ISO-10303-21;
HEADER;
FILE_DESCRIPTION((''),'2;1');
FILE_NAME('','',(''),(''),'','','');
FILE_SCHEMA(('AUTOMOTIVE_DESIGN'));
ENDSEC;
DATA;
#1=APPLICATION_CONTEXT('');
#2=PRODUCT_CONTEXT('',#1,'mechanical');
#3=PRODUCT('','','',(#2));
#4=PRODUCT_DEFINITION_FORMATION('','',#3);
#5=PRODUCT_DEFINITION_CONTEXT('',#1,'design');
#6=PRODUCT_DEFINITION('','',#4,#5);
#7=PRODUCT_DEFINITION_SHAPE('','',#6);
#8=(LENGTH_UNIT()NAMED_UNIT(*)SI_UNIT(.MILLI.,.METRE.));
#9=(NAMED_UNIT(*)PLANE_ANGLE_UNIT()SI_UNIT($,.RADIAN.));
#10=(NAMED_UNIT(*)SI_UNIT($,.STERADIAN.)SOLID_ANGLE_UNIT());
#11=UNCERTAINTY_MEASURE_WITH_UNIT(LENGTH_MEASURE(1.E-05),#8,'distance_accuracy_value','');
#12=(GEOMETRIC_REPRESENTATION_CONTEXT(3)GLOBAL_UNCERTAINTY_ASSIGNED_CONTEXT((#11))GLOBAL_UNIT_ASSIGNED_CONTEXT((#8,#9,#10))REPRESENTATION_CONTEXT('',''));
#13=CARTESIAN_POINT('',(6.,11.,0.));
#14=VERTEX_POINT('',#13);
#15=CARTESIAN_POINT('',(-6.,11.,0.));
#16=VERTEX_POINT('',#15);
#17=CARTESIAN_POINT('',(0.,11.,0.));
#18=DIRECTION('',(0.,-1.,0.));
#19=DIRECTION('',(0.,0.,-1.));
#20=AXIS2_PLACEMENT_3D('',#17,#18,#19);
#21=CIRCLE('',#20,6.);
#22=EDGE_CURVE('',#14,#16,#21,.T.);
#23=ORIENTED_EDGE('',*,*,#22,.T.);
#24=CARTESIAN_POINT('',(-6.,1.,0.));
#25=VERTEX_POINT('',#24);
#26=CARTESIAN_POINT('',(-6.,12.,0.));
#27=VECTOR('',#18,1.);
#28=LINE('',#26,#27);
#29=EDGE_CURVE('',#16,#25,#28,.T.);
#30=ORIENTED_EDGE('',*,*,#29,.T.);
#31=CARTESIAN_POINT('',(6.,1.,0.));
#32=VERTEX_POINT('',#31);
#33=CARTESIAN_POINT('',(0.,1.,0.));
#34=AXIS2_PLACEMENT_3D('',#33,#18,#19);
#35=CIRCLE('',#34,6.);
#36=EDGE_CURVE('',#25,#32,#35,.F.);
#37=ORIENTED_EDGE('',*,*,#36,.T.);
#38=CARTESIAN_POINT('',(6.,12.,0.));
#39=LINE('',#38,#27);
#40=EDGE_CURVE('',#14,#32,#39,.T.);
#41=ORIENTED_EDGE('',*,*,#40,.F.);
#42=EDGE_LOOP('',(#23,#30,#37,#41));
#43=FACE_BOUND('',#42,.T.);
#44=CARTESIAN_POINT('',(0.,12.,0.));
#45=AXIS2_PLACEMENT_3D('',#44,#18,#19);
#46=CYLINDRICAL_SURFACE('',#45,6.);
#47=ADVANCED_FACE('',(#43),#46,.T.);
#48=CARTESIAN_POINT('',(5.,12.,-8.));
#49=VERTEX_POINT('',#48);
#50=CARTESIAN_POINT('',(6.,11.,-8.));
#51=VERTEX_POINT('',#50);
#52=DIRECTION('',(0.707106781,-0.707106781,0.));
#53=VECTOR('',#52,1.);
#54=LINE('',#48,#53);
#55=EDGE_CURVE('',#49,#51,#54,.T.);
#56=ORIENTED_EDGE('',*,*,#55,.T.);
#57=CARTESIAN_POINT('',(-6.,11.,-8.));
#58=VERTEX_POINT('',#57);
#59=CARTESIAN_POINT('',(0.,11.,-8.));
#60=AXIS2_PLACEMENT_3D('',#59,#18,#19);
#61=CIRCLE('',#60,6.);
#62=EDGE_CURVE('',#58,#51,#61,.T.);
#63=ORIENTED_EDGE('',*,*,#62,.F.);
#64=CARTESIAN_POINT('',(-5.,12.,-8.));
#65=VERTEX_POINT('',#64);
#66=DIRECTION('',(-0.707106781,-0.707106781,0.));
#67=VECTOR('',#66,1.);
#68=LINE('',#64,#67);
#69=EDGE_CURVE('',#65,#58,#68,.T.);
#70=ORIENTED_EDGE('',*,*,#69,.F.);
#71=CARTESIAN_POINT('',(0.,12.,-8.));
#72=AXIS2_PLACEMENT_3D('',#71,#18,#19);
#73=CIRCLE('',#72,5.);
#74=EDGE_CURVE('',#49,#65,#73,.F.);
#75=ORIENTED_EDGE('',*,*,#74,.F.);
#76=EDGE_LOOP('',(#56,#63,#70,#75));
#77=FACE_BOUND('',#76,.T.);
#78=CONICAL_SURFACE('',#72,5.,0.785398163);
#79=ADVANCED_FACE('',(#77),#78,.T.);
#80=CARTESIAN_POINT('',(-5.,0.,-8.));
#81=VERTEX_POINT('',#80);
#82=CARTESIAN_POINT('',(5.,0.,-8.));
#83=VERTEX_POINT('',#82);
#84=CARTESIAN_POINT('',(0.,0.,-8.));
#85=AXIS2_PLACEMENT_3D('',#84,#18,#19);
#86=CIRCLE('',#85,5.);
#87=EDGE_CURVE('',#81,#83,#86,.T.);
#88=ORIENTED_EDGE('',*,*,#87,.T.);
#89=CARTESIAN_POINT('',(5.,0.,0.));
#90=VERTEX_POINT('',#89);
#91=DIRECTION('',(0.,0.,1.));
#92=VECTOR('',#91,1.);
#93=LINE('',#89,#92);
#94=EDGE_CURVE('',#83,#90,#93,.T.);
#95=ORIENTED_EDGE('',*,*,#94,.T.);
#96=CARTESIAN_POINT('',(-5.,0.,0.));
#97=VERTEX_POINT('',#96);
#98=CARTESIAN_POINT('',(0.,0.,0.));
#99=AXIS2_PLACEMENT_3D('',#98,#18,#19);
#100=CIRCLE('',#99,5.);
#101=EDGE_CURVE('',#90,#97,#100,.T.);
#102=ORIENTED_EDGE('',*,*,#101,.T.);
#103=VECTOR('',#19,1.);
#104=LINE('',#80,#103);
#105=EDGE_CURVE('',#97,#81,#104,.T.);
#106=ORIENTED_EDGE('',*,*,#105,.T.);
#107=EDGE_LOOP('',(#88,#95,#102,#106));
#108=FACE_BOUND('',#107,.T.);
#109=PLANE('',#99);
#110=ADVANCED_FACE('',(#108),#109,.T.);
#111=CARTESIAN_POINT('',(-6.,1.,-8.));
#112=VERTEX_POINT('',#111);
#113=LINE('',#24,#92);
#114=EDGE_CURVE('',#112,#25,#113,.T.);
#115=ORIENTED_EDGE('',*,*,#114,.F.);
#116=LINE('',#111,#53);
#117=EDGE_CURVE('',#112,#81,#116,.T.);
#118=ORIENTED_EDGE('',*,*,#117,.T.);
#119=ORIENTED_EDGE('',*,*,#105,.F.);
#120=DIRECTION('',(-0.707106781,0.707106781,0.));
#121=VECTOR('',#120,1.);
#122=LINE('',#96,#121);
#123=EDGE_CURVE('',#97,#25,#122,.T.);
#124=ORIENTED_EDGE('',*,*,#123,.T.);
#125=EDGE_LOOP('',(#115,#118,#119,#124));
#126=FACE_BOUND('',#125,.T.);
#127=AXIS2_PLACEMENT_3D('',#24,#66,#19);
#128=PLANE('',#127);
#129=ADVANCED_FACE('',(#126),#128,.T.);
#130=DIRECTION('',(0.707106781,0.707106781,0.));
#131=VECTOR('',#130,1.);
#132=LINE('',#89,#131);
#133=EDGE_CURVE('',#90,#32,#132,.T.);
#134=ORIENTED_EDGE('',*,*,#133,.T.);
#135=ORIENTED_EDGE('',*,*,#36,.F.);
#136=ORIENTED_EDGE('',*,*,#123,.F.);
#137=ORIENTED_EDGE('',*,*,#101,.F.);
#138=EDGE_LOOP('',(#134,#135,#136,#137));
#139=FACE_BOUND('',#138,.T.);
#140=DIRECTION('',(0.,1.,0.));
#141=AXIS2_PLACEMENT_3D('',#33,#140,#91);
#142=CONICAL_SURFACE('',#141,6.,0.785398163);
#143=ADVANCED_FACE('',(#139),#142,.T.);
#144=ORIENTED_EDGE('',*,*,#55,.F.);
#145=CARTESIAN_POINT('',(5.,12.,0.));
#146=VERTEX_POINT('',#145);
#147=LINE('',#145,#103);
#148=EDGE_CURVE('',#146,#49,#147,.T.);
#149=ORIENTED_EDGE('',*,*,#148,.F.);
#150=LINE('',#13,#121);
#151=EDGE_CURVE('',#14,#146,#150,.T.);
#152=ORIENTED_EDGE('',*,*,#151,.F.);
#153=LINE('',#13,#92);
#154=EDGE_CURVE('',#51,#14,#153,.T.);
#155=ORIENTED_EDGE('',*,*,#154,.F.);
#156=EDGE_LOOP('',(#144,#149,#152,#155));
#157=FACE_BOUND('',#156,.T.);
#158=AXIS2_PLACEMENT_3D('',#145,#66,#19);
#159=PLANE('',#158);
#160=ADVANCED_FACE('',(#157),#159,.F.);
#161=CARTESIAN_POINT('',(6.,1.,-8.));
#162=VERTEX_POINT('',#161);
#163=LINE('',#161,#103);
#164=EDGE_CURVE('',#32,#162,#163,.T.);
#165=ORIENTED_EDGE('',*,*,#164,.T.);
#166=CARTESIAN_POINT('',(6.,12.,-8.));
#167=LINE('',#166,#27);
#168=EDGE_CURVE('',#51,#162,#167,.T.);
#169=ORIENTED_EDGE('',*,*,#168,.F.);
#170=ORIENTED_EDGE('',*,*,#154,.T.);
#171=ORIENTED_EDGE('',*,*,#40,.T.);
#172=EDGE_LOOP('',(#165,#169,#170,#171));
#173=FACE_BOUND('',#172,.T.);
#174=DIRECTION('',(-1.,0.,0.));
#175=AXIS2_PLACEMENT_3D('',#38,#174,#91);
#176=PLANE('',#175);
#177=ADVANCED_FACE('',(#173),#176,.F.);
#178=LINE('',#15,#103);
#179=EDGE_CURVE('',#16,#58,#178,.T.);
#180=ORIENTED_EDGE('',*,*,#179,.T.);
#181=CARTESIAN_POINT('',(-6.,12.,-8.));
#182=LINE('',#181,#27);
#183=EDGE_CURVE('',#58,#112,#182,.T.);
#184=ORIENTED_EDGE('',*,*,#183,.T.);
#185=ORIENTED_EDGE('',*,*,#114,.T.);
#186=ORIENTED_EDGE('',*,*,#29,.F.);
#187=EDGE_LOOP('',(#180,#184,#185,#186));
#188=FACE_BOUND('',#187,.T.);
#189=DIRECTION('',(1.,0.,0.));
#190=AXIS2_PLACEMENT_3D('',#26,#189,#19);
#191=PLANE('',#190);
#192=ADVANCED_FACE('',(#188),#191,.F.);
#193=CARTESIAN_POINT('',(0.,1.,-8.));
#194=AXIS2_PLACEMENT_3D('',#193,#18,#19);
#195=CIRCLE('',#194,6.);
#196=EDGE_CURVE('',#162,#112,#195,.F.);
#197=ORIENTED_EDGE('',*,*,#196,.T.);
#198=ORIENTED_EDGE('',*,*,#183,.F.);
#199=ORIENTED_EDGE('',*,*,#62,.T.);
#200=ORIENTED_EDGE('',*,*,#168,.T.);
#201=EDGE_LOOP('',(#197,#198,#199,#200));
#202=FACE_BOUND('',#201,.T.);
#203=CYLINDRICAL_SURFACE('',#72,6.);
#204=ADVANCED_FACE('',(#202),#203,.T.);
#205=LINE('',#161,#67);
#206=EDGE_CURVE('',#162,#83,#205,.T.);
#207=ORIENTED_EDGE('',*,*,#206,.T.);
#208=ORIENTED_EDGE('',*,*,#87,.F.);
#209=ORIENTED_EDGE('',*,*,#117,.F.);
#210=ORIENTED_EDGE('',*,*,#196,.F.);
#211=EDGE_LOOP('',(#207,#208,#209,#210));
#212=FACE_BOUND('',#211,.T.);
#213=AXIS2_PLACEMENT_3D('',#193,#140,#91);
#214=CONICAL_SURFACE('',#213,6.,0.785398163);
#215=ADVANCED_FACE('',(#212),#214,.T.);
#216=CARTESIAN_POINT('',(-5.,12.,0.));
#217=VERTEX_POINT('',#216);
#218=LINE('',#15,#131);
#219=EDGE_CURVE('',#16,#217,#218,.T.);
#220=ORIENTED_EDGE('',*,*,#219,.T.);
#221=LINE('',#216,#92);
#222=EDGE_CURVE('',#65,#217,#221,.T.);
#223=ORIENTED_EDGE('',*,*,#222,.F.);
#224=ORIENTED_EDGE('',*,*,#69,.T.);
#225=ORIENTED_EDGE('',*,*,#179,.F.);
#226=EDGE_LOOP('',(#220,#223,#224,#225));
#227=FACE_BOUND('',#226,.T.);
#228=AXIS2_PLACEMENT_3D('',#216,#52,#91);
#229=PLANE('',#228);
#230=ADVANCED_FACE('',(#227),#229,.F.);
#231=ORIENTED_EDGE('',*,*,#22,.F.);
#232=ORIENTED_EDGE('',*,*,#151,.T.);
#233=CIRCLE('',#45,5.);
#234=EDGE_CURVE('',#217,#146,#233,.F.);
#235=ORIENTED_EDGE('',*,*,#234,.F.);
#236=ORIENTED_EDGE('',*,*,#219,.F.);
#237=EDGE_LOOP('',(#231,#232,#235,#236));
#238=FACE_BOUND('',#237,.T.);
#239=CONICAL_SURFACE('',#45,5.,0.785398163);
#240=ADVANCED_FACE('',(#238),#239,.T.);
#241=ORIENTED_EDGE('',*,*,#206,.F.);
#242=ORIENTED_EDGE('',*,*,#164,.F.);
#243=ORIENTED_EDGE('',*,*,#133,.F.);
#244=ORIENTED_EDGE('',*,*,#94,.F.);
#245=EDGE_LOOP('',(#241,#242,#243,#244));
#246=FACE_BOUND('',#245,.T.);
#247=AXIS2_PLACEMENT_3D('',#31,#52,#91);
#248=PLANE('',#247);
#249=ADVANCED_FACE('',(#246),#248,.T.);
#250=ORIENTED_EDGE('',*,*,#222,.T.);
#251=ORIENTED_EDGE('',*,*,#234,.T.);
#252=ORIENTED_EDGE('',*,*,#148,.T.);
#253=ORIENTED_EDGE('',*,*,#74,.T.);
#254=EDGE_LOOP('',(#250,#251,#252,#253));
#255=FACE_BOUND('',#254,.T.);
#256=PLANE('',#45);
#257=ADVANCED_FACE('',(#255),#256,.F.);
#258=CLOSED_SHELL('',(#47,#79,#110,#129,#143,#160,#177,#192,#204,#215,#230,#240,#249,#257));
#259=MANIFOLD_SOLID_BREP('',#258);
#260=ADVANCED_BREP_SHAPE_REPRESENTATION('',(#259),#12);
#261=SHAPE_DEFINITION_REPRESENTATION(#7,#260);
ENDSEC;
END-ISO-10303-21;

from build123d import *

# Parameters (mm, degrees)
BOSS_EXTRUDE1_DEPTH = 12
CHAMFER1_SIZE       = 1


with BuildPart() as part:
    # Sketch1 → Boss-Extrude1 (new body)
    with BuildSketch(Plane(origin=(0, 0, 0), x_dir=(1, 0, 0), z_dir=(0, 1, 0))):
        with BuildLine():
            Line((6, 0), (6, 8))
            ThreePointArc((6, 8), (0, 14), (-6, 8))
            Line((-6, 8), (-6, 0))
            ThreePointArc((-6, 0), (0, -6), (6, 0))
        make_face()
    extrude(amount=BOSS_EXTRUDE1_DEPTH)

    # Chamfer1
    chamfer1_edges = [part.edges().sort_by_distance(p)[0] for p in [
        (0, 12, -14),
        (-6, 12, -4),
        (0, 12, 6),
        (-6, 0, -4),
        (0, 0, -14),
        (6, 0, -4),
        (0, 0, 6),
        (6, 12, -4),
    ]]
    chamfer(chamfer1_edges, length=CHAMFER1_SIZE)


solid = part.part
